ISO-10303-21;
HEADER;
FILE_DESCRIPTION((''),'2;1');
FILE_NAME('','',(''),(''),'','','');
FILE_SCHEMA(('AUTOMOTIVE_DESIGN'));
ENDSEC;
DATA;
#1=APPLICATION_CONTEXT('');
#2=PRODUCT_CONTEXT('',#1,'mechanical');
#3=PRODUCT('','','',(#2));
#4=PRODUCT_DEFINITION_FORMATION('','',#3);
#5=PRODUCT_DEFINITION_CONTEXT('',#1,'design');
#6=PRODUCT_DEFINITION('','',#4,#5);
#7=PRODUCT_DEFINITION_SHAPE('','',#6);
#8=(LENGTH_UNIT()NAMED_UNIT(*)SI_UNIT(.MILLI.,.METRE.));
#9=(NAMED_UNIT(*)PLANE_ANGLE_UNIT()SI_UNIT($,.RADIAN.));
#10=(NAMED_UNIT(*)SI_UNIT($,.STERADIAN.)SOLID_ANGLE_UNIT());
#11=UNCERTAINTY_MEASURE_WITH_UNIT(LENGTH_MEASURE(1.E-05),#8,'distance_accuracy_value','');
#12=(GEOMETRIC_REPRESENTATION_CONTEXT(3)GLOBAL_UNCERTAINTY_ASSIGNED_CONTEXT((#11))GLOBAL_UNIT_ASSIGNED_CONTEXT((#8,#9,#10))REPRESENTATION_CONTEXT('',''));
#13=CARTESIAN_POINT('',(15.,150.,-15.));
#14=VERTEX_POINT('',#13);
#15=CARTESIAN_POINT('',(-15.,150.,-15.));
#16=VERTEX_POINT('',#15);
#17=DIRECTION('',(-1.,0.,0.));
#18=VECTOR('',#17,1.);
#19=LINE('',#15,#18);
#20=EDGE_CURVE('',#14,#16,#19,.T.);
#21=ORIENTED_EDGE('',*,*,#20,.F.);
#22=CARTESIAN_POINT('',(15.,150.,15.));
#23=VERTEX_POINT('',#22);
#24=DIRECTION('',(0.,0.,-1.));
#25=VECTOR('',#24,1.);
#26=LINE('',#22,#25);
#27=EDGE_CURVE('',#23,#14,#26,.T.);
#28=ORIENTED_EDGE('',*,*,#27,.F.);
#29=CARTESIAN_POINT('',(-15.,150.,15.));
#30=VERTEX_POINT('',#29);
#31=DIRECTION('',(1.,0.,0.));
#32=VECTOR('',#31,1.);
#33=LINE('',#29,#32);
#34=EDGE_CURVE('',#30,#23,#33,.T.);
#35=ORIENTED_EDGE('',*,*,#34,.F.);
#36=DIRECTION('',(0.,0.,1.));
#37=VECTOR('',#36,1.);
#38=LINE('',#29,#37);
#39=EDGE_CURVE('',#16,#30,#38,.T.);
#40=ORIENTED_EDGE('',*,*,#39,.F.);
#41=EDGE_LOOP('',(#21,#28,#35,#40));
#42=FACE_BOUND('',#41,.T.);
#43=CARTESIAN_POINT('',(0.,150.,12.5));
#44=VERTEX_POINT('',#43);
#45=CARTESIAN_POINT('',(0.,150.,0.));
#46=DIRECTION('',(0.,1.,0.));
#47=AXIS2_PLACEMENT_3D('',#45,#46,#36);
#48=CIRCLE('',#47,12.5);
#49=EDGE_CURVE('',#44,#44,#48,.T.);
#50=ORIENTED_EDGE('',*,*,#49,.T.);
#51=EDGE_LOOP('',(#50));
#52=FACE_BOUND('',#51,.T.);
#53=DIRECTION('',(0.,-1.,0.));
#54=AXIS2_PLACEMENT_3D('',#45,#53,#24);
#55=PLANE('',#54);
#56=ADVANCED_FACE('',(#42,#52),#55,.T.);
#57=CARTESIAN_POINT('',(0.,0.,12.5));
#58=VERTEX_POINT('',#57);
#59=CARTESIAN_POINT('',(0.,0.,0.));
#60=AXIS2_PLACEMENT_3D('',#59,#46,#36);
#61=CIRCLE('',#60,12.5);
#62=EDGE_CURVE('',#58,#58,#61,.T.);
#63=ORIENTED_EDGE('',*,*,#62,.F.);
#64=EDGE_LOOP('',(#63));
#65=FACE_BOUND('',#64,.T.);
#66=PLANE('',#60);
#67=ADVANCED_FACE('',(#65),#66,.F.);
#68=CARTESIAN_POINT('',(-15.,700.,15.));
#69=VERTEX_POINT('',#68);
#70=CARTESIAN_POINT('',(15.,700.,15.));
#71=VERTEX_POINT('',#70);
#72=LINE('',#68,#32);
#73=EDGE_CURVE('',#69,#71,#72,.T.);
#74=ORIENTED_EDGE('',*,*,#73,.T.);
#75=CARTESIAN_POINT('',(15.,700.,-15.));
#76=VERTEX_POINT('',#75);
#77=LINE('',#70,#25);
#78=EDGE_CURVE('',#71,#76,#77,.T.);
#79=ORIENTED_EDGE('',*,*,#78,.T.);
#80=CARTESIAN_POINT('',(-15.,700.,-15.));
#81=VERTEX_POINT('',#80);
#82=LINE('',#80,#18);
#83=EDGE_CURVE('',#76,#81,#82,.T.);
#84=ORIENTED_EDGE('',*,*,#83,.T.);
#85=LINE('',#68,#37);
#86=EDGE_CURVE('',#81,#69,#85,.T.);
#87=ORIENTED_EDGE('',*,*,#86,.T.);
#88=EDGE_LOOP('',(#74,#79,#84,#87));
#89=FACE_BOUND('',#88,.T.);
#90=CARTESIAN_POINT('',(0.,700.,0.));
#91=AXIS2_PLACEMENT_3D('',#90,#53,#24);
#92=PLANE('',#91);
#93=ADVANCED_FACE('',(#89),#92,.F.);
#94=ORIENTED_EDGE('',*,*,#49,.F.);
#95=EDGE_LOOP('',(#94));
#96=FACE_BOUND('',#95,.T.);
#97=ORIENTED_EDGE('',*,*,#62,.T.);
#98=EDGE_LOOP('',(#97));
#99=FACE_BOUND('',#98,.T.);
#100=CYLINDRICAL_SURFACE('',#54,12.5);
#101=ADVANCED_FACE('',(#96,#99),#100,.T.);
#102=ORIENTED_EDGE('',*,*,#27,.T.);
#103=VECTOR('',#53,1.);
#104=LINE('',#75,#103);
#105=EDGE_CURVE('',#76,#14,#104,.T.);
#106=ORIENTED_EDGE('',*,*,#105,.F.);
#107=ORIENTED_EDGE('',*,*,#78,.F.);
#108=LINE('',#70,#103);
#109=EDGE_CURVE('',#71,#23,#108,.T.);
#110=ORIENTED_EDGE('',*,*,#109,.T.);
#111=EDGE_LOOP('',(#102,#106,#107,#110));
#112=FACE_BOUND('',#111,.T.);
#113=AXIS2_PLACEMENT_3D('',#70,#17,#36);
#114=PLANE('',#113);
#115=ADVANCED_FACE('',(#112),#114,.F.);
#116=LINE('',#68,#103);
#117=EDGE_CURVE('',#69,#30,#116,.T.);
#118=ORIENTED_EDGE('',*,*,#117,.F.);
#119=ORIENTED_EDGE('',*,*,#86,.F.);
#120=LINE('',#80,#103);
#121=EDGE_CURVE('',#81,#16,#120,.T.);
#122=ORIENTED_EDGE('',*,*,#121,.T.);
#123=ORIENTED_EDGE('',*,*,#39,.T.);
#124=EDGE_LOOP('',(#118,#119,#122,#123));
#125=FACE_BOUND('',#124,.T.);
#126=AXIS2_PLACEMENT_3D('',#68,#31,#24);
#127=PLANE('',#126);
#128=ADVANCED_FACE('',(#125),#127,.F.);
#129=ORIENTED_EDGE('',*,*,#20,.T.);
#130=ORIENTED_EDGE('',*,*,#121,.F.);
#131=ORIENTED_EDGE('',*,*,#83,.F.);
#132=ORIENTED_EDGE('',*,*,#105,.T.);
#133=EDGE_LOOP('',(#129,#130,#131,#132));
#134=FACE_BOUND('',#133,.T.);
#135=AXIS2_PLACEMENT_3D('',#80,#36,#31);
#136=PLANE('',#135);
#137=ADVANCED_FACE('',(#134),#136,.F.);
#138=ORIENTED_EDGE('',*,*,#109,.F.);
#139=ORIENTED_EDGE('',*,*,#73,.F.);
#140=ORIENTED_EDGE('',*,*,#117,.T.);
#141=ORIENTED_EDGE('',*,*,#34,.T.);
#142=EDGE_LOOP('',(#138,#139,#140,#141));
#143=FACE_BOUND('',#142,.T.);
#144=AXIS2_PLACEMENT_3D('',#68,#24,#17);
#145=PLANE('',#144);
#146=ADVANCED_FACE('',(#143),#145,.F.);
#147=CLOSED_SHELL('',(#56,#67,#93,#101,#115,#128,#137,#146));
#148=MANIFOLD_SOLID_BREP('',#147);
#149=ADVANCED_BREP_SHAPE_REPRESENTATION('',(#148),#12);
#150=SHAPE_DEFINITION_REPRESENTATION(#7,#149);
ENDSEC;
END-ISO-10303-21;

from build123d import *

# Parameters (mm, degrees)
SKETCH1_R           = 12.5
BOSS_EXTRUDE1_DEPTH = 150
SKETCH2_W           = 30
SKETCH2_H           = 30
BOSS_EXTRUDE2_DEPTH = 550


with BuildPart() as part:
    # Sketch1 → Boss-Extrude1 (new body)
    with BuildSketch(Plane(origin=(0, 0, 0), x_dir=(1, 0, 0), z_dir=(0, 1, 0))):
        Circle(SKETCH1_R)
    extrude(amount=BOSS_EXTRUDE1_DEPTH)

    # Sketch2 → Boss-Extrude2 (add)
    with BuildSketch(Plane(origin=(0, 150, 0), x_dir=(1, 0, 0), z_dir=(0, 1, 0))):
        Rectangle(SKETCH2_W, SKETCH2_H)
    extrude(amount=BOSS_EXTRUDE2_DEPTH)


solid = part.part
